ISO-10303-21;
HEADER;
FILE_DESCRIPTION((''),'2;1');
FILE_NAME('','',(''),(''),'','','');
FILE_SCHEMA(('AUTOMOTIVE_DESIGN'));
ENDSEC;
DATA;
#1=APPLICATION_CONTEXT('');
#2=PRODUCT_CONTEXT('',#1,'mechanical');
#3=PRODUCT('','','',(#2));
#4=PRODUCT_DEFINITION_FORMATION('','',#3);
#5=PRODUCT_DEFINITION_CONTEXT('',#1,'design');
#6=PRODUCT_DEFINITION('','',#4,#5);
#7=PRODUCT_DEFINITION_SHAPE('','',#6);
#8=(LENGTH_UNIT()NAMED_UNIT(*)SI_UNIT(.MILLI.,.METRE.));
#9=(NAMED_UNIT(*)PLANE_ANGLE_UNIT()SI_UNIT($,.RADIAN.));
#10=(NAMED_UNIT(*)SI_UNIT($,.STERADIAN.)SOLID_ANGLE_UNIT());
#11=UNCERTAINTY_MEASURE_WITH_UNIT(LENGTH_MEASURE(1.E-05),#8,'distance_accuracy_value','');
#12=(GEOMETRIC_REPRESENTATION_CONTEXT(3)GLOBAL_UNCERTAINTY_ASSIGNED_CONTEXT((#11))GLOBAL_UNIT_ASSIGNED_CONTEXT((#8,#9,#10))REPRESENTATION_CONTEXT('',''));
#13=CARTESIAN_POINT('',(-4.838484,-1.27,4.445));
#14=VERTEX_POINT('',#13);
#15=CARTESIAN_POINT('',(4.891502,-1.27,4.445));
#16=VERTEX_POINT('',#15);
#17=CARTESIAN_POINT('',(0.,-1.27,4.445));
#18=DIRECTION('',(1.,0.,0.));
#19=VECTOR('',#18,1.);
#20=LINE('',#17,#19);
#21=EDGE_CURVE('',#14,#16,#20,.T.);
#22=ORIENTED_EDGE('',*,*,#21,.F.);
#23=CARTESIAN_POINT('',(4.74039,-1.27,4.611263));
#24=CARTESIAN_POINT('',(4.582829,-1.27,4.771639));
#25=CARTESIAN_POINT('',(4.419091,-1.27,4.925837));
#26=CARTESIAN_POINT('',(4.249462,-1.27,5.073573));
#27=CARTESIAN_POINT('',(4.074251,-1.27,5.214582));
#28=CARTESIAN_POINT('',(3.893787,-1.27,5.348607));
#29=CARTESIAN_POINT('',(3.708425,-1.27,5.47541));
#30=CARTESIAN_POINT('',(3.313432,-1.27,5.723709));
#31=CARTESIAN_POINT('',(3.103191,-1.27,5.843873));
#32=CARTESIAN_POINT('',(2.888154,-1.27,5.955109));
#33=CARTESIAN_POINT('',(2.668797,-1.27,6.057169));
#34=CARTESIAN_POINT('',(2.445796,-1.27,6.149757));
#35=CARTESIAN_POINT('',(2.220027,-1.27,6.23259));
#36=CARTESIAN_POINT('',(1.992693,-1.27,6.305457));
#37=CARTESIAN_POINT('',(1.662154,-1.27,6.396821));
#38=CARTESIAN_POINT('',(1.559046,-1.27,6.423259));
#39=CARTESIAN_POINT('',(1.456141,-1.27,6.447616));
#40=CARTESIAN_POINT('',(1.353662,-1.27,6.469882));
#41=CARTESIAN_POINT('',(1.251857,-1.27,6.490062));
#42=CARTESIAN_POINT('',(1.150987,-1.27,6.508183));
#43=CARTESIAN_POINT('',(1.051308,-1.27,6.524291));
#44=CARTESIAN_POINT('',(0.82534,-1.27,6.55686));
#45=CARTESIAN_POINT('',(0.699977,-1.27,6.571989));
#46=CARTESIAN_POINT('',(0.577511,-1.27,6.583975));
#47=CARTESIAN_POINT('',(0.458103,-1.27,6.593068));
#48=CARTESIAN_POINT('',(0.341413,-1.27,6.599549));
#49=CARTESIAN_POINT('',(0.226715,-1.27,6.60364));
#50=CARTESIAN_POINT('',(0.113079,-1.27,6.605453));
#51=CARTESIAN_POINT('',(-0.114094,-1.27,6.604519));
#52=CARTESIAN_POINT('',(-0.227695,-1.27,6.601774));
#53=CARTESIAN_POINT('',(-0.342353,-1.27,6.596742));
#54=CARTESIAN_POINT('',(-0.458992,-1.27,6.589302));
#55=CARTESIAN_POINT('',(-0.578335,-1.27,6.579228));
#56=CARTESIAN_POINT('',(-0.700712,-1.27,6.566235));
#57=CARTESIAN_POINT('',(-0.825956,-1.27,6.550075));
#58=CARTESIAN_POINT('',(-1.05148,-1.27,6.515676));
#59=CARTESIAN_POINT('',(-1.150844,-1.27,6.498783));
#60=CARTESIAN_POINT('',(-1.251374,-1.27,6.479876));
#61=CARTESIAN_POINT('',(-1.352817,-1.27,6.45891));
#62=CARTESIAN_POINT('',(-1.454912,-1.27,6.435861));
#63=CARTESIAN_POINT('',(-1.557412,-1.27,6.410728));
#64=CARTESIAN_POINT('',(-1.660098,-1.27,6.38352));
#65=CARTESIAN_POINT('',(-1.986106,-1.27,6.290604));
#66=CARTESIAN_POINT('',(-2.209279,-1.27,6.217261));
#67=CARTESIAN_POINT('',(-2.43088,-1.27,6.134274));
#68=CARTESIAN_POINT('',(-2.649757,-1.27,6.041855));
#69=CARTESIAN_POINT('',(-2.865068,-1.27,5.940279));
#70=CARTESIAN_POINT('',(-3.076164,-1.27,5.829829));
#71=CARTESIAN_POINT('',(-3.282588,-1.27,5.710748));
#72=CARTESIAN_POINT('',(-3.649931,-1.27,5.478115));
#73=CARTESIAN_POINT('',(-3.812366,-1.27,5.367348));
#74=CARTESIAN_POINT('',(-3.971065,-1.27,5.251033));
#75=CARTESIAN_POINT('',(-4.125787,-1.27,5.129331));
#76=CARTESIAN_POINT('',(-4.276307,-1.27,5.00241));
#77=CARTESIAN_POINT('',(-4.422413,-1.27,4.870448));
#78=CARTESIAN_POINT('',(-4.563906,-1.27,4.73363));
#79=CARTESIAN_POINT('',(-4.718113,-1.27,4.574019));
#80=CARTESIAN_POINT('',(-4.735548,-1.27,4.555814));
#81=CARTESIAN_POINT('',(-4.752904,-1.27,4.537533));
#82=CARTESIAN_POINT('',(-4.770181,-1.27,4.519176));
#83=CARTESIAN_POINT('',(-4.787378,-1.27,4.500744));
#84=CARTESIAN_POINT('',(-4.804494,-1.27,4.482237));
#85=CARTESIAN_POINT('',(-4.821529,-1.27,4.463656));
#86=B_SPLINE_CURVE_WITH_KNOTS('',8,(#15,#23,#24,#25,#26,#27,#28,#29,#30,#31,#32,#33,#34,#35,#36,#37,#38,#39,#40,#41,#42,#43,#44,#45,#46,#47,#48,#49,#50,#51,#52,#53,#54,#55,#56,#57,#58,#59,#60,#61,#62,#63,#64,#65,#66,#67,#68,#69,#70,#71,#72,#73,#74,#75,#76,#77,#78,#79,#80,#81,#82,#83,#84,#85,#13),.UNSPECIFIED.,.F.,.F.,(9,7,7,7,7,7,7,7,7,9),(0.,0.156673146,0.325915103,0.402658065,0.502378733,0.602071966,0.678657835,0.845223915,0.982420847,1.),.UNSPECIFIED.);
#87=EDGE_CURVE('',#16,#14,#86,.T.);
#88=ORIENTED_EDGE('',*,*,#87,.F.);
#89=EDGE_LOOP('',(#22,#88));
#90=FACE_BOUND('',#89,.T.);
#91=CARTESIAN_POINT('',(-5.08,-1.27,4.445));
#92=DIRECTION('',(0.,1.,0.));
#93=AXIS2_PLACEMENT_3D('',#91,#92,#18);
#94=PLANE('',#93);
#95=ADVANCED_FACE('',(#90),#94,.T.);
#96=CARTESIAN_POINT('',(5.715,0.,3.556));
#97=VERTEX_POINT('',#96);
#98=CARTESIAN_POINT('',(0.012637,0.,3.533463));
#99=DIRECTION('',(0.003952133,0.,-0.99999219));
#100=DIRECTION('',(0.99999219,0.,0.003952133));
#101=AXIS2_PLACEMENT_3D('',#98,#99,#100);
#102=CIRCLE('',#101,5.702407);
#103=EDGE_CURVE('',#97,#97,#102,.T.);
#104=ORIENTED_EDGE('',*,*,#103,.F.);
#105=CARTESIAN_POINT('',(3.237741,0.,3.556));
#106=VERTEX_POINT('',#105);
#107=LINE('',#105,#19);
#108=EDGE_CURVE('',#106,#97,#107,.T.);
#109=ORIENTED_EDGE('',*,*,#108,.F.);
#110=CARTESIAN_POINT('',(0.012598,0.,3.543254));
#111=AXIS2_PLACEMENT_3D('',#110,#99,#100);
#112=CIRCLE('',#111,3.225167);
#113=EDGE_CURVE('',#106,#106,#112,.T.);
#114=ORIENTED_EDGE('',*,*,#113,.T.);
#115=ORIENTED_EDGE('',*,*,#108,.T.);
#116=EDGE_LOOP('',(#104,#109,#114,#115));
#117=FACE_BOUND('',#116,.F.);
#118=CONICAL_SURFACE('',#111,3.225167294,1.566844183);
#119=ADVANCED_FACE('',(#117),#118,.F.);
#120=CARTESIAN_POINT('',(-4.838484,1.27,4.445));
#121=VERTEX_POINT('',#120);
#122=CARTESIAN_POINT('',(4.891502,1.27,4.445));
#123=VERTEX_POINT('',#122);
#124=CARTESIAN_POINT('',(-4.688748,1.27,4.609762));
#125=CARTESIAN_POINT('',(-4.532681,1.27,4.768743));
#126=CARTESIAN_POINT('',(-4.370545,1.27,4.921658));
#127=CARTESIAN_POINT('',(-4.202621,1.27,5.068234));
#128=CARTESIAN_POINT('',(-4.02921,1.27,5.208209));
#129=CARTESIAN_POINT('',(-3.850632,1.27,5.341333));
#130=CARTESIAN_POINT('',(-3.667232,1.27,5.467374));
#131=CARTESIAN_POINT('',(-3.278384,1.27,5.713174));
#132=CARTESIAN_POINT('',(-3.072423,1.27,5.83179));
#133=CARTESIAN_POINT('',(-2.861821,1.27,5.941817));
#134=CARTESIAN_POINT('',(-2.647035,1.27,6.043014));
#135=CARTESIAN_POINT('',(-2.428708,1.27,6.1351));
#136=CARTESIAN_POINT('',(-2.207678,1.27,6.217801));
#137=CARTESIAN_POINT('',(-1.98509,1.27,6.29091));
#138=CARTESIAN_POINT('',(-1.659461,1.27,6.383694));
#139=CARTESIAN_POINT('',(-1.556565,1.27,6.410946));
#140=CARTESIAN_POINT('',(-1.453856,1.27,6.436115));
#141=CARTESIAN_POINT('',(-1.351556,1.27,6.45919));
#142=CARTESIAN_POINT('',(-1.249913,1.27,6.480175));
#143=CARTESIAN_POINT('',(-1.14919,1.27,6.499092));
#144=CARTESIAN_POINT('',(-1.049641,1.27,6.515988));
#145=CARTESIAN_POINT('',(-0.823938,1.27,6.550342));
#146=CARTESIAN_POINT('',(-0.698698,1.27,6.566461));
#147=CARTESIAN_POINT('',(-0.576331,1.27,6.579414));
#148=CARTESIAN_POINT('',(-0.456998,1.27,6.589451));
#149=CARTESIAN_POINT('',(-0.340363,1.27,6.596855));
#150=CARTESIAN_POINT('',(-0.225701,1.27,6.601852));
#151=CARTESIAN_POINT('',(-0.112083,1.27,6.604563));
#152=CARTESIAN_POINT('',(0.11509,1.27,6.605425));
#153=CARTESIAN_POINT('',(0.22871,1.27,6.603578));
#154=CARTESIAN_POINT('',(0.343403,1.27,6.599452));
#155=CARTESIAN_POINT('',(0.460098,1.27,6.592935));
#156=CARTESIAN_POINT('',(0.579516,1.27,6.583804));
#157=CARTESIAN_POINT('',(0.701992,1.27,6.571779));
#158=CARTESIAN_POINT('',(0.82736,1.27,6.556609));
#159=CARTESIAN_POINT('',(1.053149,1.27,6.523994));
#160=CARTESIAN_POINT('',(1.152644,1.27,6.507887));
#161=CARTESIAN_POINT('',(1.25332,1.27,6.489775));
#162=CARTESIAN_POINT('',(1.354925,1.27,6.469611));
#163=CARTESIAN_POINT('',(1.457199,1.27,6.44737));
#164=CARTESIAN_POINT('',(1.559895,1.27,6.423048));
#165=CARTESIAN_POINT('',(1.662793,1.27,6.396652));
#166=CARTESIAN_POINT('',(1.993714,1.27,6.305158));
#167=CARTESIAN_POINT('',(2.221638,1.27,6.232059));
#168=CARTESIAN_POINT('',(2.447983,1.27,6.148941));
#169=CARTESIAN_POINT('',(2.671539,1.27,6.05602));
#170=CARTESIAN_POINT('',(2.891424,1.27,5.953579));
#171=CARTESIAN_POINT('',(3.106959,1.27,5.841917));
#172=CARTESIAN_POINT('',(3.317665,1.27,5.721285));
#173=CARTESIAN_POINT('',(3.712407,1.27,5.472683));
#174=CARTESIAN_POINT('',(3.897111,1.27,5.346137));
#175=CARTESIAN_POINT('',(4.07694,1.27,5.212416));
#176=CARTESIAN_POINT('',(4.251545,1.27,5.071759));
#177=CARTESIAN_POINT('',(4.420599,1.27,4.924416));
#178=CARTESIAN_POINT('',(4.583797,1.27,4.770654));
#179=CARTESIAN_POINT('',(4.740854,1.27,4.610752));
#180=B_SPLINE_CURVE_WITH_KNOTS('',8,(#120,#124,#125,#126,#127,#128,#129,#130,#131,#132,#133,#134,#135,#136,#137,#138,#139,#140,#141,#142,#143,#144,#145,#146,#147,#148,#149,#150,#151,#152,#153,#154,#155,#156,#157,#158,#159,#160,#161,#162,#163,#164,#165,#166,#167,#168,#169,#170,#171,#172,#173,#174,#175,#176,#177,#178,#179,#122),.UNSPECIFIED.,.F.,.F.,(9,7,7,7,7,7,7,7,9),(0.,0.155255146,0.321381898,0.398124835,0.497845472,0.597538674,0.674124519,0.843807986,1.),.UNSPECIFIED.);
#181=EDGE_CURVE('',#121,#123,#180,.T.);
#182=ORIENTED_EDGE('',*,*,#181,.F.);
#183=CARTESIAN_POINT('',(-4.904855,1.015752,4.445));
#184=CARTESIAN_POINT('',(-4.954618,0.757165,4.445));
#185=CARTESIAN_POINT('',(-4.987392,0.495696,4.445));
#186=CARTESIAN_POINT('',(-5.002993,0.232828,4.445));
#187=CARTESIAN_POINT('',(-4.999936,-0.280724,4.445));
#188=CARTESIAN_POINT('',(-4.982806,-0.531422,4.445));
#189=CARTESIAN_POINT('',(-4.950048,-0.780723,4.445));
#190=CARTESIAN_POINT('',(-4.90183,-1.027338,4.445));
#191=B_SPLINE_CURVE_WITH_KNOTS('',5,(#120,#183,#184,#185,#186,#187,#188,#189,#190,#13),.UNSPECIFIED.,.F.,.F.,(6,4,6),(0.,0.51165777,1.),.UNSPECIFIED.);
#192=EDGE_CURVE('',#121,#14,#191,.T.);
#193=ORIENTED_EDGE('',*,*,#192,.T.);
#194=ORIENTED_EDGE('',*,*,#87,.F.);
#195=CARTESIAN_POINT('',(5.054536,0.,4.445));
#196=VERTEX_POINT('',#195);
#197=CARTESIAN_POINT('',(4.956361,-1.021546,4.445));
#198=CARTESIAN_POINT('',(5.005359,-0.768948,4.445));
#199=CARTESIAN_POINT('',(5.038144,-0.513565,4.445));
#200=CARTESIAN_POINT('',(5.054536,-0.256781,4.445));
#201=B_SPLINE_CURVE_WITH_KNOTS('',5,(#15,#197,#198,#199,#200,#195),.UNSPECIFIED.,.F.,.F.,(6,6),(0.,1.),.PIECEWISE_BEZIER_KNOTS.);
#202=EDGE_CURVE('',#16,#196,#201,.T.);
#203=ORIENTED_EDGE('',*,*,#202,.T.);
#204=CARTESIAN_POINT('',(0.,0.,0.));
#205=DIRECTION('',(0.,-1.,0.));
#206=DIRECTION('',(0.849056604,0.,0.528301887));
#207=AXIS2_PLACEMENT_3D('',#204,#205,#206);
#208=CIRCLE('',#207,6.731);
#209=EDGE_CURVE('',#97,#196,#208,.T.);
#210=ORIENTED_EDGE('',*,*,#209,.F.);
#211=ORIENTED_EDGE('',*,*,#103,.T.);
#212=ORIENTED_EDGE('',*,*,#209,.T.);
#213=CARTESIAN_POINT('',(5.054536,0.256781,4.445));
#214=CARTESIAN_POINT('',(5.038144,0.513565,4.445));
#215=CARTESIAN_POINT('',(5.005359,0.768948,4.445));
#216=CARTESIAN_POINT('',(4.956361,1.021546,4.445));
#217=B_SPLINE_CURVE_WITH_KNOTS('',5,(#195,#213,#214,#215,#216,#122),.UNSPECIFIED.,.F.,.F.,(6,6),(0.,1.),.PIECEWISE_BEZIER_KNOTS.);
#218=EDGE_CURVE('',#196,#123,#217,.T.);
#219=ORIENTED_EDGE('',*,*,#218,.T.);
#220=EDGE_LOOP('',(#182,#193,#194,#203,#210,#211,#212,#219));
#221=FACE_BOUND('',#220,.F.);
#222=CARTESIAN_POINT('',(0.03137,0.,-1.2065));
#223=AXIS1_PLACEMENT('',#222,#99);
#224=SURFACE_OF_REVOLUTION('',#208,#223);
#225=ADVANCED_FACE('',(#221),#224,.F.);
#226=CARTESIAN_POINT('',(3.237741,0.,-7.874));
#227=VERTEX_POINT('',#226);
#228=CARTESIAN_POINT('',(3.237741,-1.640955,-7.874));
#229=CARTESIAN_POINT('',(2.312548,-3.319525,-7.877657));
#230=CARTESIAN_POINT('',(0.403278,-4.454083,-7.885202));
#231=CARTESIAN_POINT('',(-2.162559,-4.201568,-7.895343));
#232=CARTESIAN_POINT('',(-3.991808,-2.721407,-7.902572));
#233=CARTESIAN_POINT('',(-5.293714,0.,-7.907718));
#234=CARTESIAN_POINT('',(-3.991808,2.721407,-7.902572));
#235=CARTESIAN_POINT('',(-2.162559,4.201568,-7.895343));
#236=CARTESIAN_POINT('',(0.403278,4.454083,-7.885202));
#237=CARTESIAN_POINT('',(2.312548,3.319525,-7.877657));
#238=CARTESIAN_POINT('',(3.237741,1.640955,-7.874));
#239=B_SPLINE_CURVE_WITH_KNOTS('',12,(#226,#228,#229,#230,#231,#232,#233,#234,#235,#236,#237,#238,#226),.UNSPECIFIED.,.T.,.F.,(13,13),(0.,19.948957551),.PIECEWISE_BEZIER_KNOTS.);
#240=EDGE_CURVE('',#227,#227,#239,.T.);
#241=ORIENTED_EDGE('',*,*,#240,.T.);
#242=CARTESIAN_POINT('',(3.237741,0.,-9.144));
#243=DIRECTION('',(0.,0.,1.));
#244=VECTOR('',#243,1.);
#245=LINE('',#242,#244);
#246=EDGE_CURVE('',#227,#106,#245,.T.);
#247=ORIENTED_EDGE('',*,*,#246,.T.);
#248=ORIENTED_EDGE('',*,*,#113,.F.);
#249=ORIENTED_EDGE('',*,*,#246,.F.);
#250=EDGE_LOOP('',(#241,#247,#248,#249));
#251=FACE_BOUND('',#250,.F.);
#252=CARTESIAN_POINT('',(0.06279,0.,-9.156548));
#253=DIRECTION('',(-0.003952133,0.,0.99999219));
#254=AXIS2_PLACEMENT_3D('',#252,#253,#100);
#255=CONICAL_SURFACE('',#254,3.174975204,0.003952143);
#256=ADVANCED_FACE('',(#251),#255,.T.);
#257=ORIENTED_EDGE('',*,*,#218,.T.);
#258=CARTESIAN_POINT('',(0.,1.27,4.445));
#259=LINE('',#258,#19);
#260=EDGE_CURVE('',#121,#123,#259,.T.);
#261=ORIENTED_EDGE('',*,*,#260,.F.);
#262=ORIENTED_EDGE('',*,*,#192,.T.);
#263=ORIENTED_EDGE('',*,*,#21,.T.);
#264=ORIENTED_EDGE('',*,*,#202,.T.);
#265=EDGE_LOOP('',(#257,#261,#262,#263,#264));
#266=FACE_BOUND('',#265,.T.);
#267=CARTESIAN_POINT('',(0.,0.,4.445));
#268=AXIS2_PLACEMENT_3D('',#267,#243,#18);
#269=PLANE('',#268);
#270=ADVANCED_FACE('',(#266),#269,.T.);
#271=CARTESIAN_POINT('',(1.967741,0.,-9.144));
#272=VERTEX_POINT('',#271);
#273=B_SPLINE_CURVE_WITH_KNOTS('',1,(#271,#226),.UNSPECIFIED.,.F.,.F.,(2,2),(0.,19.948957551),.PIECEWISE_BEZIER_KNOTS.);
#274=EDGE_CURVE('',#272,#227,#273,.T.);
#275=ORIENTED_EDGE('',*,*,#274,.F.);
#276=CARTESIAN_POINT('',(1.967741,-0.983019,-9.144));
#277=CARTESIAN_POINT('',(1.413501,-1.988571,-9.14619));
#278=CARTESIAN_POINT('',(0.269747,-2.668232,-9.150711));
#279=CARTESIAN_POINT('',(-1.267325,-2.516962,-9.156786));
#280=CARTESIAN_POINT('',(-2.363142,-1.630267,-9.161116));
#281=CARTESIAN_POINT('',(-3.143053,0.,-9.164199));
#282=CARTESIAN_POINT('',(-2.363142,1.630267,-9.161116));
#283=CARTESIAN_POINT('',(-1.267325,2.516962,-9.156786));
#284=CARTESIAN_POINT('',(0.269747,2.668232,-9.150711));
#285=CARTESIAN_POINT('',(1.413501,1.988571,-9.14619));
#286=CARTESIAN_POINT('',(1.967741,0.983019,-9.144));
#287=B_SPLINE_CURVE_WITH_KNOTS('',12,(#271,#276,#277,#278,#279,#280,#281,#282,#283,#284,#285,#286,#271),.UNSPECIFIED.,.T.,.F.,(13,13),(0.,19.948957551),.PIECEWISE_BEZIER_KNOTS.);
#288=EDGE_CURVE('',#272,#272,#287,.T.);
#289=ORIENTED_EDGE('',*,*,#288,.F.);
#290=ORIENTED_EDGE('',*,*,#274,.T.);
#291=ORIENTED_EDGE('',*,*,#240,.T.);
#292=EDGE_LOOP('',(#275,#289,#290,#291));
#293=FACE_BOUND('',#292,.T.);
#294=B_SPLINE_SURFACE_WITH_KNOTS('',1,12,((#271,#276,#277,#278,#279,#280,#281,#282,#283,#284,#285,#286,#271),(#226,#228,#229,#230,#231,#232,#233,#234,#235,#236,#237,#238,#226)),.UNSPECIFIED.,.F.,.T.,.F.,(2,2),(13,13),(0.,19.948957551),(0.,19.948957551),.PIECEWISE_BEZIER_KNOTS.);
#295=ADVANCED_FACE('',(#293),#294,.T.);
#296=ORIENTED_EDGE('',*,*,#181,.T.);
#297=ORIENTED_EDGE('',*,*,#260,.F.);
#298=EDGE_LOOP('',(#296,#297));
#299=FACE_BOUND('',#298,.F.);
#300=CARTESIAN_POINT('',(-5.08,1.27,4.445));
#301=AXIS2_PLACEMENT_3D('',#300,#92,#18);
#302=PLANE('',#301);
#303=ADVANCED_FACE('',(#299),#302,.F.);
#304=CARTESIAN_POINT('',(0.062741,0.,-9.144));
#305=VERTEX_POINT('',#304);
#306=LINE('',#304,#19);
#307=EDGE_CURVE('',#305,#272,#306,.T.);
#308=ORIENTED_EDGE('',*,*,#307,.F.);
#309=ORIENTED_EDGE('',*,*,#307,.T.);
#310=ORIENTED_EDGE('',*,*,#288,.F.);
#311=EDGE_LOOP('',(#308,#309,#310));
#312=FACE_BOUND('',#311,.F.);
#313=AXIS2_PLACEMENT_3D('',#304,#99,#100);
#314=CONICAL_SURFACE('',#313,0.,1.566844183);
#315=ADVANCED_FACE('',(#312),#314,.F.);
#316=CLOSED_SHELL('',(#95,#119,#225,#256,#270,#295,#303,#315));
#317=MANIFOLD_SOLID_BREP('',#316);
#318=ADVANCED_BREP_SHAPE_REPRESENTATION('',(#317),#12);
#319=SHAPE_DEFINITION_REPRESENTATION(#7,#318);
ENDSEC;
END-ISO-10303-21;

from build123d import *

# Parameters (mm, degrees)
F2_SIZE  = 1.27
F4_START = 4.445
F3_W     = 10.16
F3_H     = 2.54
F4_DEPTH = 20.955


with BuildPart() as f1:
    # F0 (on Front) → F1 (revolve)
    with BuildSketch(Plane.XZ):
        with BuildLine():
            Line((3.2377406023, 3.556), (5.715, 3.556))
            ThreePointArc((5.715, 3.556), (3.2688625698, 5.8839526256), (0, 6.731))
            Line((0, 6.731), (0.0627406023, -9.144))
            Line((0.0627406023, -9.144), (3.2377406023, -9.144))
            Line((3.2377406023, -9.144), (3.2377406023, 3.556))
        make_face()
    revolve(axis=Axis((0.0313703012, 0, -1.2065), (0.0039521331, 0, -0.9999921903)))

    # F2
    f2_edges = [f1.edges().sort_by_distance(p)[0] for p in [
        (-3.11216, 0, -9.169096),
    ]]
    chamfer(f2_edges, length=F2_SIZE)

    # F3 (on Top) → F4 (cut)
    with BuildSketch(Plane.XY.offset(F4_START)):
        Rectangle(F3_W, F3_H)
    extrude(amount=F4_DEPTH, mode=Mode.SUBTRACT)


solid = f1.part
